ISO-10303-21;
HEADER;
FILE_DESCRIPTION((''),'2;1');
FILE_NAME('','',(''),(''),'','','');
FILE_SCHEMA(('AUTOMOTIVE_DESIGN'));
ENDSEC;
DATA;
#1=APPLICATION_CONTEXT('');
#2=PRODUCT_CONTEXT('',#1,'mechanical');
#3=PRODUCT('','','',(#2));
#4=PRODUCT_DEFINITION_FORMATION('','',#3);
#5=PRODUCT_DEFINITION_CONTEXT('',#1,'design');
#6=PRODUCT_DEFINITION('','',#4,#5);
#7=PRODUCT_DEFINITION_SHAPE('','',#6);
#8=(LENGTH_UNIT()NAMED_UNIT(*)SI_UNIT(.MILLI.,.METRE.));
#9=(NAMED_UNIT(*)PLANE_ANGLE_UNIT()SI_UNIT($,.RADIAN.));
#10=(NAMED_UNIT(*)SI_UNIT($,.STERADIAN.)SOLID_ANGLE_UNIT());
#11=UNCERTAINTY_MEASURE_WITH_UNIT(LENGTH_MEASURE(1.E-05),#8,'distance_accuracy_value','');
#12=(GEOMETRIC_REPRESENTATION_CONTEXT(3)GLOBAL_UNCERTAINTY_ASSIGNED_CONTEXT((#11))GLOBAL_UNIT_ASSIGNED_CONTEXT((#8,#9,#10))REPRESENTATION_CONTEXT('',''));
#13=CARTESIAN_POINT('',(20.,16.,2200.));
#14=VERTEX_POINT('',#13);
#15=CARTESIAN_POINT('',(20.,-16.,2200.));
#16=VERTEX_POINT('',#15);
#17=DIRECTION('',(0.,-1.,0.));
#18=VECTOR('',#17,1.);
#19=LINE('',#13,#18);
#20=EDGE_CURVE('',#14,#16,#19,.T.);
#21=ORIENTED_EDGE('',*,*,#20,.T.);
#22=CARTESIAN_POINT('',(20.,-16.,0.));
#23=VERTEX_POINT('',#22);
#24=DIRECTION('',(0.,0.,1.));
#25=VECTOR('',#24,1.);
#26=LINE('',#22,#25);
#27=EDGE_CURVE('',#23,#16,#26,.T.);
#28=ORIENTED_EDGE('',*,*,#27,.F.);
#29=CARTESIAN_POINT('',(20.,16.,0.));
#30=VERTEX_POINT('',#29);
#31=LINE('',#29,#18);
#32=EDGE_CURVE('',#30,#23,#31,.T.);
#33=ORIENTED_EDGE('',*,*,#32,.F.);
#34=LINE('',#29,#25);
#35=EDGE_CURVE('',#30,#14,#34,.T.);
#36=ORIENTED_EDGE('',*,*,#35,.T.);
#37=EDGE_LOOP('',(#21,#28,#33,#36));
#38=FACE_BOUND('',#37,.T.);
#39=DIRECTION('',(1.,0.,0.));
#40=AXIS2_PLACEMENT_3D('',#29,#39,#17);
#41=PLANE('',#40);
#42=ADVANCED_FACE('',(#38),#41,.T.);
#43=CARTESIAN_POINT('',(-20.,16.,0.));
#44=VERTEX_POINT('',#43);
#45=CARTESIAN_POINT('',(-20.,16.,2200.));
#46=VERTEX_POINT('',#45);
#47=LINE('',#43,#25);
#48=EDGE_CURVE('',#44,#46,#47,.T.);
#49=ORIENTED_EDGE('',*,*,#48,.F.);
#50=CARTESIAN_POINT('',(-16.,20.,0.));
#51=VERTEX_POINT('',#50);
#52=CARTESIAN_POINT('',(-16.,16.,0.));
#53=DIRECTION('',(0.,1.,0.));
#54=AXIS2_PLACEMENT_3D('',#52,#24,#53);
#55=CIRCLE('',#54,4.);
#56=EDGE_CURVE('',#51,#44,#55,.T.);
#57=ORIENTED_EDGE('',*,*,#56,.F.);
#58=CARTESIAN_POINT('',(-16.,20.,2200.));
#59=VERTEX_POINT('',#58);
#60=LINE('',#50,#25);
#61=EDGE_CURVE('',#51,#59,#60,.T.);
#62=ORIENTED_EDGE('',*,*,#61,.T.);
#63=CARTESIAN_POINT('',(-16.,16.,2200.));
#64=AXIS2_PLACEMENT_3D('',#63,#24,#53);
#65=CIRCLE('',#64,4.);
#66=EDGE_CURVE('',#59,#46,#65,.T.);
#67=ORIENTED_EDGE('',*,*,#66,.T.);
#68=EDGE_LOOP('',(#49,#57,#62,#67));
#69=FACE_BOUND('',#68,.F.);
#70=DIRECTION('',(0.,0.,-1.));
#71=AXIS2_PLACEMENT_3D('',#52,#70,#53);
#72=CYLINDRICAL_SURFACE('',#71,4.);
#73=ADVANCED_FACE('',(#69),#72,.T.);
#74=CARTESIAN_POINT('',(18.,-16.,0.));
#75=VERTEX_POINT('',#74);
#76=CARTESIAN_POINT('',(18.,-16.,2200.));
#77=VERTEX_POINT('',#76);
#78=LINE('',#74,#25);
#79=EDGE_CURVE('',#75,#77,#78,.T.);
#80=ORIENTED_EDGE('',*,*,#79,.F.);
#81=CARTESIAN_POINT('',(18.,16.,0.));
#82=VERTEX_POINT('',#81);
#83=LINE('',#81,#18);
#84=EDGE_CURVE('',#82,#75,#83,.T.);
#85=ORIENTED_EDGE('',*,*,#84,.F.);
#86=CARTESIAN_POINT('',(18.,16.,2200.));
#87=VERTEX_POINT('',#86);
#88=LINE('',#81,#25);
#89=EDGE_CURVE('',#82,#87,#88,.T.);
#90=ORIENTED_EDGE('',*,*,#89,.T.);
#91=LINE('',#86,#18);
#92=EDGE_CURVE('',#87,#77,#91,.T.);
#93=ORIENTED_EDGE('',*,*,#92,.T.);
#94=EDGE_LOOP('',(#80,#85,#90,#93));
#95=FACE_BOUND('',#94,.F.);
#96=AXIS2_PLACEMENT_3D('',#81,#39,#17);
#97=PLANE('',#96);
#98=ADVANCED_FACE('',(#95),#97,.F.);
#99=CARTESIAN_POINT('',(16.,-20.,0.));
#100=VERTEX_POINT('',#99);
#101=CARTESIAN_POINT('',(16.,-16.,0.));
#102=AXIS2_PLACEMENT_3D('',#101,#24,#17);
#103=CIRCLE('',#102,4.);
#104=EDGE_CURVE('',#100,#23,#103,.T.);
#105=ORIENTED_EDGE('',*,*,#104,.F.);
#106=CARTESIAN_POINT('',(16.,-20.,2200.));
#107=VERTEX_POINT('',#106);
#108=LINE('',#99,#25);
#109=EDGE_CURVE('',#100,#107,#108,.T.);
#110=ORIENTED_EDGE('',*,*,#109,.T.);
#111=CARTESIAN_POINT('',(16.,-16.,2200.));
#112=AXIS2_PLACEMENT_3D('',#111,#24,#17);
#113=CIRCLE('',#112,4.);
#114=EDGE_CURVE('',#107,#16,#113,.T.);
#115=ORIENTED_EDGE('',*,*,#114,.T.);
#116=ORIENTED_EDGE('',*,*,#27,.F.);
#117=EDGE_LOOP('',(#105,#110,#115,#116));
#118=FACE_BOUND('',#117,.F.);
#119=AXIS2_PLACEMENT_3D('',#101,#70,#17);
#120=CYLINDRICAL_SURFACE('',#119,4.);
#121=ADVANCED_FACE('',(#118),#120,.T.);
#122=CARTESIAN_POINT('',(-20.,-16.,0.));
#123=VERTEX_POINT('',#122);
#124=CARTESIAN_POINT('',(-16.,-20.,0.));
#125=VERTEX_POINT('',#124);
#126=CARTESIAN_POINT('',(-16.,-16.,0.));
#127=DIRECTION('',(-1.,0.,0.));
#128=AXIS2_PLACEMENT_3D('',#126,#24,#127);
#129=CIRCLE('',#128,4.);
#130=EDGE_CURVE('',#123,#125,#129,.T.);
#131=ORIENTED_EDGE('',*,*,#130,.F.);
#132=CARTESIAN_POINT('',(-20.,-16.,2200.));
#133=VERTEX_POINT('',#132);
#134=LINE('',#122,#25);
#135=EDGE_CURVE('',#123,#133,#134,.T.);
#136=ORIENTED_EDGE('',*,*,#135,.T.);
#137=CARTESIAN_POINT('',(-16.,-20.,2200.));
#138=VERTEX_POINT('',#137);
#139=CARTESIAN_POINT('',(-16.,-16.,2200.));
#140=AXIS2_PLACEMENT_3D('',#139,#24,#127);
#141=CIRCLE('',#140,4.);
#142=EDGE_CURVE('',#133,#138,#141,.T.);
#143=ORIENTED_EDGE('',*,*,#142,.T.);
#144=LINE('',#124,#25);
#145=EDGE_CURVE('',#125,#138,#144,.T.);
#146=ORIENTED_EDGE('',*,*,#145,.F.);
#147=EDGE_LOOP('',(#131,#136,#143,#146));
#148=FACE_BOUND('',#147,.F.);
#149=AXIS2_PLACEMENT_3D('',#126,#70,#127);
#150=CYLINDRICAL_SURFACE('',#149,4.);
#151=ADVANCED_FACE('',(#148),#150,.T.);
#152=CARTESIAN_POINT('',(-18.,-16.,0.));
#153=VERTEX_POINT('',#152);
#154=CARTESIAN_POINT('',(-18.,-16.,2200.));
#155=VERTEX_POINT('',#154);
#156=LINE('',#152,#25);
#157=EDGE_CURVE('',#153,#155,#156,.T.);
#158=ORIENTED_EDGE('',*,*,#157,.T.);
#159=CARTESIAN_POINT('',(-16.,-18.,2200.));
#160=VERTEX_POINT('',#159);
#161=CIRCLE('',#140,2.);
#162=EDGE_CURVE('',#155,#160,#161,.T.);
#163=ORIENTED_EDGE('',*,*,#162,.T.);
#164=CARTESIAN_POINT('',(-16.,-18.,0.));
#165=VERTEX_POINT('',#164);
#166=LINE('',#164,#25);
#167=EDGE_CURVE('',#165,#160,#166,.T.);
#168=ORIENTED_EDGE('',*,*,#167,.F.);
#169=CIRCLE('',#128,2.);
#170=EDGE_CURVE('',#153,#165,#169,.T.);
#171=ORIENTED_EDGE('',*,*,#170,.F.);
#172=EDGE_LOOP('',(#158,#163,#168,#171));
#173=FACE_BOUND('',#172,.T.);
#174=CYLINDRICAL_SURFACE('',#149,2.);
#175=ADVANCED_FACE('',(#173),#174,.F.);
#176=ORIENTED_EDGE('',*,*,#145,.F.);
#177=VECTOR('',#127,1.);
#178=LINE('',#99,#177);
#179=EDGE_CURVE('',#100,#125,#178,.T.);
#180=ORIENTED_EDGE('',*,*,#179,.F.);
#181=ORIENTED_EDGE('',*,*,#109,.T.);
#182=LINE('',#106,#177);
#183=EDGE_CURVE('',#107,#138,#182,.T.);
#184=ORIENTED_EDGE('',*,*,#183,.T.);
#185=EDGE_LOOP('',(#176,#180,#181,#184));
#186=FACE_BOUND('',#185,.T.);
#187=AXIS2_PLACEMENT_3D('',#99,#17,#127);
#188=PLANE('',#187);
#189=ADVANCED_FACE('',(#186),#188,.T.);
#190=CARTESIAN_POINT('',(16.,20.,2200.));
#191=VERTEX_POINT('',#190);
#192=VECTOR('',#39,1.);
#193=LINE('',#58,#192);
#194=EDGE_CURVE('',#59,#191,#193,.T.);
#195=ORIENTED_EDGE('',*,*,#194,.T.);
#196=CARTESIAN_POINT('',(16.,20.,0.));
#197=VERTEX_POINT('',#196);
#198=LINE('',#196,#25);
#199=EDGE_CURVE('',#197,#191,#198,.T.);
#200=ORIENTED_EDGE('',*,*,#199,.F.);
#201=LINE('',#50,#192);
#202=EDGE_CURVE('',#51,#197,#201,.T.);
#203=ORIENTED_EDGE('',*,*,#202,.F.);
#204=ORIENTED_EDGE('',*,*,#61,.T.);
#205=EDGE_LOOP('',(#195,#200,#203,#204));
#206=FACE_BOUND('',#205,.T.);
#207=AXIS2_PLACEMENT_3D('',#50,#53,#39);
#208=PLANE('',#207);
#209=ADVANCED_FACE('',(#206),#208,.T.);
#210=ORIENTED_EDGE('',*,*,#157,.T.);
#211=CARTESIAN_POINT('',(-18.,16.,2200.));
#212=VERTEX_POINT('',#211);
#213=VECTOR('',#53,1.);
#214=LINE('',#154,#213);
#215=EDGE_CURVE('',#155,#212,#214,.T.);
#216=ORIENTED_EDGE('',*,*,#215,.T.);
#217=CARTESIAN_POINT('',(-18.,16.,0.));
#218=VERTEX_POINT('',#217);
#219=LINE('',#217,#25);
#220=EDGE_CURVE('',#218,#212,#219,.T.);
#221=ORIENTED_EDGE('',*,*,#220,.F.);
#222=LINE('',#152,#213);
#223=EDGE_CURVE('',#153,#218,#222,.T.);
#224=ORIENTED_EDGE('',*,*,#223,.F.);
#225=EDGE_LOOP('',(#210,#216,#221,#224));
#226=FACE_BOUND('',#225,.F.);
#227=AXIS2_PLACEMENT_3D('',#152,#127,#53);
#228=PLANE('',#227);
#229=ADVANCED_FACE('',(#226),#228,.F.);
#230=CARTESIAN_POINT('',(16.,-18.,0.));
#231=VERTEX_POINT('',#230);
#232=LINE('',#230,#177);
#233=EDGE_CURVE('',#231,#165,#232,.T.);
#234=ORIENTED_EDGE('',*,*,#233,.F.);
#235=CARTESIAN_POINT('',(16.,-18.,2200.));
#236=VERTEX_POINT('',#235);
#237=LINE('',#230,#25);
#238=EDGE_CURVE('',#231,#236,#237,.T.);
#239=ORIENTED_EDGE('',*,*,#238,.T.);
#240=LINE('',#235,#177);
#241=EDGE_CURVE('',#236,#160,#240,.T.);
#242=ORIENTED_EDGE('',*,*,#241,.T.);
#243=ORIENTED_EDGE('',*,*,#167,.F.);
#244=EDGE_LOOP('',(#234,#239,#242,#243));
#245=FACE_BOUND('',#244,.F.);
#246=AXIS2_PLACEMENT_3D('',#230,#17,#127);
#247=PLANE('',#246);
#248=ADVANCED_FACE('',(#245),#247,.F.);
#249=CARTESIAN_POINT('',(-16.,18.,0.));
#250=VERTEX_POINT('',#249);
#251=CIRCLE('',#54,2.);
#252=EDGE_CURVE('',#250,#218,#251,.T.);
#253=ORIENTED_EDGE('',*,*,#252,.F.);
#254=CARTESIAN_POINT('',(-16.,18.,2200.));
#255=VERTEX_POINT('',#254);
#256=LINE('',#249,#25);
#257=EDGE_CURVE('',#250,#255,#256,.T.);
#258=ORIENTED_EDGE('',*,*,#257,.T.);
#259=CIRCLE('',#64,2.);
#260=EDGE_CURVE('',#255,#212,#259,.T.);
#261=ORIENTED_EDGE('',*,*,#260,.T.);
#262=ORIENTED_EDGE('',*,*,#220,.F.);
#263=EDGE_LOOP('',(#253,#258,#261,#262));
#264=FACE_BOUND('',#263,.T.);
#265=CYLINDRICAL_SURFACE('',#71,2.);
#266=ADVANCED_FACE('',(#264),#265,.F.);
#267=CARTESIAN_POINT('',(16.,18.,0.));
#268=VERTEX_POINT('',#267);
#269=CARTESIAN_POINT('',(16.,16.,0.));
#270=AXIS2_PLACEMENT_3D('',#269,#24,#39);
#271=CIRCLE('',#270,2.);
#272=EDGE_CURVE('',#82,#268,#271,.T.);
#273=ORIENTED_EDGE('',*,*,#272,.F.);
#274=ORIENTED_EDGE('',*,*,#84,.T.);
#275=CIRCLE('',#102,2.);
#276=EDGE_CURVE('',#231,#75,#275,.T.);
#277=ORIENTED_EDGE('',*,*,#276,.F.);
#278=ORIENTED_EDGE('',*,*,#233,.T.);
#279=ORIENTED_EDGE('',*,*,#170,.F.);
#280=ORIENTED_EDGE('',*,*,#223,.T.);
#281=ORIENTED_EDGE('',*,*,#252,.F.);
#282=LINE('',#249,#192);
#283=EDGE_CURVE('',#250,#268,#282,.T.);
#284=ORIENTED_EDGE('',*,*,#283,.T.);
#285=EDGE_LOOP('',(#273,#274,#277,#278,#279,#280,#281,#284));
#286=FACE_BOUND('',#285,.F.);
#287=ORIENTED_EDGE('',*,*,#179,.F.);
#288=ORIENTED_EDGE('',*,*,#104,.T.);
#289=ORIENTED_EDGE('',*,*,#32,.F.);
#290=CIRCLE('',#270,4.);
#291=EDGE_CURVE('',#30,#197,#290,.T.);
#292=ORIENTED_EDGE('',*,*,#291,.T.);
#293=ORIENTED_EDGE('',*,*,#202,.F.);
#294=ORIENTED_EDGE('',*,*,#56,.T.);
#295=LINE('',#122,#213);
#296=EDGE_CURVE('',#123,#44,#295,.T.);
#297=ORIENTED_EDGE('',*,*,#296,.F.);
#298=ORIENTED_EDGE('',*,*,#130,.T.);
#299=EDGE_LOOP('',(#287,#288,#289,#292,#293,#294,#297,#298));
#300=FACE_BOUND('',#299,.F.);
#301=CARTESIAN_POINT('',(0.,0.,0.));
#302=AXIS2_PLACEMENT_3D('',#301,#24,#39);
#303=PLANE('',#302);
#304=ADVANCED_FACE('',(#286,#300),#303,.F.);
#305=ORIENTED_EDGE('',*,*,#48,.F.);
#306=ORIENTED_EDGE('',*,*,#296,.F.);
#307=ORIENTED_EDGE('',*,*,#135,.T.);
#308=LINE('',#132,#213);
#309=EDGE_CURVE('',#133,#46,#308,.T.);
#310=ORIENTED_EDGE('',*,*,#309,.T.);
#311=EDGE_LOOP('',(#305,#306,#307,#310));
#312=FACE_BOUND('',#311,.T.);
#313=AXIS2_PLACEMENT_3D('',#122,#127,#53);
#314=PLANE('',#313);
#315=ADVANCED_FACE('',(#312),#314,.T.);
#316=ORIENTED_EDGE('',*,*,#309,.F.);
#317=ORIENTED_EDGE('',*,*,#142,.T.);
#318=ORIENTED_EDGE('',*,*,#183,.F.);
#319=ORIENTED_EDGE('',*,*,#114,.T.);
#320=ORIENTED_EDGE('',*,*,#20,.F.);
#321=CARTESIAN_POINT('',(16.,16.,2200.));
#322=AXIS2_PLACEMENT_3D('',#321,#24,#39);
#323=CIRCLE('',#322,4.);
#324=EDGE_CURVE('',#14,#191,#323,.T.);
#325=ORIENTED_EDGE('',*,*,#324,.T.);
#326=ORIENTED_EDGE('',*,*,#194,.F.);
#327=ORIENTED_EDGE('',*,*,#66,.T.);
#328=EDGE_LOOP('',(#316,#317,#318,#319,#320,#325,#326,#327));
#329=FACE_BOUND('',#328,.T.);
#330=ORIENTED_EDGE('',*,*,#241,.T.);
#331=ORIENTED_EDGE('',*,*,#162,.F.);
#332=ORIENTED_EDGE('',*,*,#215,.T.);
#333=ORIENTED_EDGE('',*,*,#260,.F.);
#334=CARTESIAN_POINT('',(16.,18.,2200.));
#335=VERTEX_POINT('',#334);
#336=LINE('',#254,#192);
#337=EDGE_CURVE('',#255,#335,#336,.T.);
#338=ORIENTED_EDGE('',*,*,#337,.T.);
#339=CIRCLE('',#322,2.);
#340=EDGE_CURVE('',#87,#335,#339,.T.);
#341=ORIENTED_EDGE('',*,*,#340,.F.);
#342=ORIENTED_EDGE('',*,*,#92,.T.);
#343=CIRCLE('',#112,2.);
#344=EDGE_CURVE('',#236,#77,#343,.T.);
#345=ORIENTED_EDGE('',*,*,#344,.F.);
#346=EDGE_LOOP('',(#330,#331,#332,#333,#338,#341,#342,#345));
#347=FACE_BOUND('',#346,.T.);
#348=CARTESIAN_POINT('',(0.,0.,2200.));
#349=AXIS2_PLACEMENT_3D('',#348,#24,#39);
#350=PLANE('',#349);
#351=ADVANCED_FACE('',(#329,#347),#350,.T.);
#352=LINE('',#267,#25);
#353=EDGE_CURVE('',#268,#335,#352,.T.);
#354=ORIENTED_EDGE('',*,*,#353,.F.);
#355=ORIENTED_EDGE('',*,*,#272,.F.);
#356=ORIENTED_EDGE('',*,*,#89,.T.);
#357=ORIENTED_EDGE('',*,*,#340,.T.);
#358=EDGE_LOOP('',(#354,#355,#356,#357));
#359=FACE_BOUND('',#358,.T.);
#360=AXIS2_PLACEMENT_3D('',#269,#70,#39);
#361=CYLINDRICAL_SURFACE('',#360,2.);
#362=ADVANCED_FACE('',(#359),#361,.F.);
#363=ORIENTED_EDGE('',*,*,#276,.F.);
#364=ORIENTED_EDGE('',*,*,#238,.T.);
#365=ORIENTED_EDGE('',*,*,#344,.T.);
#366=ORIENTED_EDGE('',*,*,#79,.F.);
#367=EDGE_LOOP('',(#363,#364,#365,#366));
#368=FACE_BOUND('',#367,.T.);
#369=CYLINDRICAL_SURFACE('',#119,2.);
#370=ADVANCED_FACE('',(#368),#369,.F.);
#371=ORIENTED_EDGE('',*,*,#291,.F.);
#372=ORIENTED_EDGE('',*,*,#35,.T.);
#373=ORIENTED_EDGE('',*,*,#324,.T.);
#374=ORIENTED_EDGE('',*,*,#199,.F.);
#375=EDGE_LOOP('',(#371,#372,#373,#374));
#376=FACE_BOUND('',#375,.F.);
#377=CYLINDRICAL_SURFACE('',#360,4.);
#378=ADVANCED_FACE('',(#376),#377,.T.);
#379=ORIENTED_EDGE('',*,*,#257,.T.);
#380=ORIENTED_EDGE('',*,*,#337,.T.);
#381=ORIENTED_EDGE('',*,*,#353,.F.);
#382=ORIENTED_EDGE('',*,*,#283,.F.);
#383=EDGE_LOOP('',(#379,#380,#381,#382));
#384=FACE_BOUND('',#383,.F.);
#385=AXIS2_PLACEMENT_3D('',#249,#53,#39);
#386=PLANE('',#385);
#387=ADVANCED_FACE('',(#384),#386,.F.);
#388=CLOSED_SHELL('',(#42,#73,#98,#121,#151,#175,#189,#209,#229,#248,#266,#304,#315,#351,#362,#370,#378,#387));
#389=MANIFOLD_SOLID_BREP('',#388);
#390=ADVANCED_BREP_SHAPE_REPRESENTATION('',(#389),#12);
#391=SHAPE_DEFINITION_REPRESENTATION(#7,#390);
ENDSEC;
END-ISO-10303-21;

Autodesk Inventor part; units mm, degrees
ref_plane "YZ Plane" through (0, 0, 0) normal (1, 0, 0) x (0, 1, 0)
ref_plane "Start Plane" through (0, 0, 0) normal (0, 0, 1) x (1, 0, 0)
ref_plane "End Plane" through (0, 0, 2200) normal (0, 0, 1) x (1, 0, 0)
sketch "Sketch" plane through (0, 0, 0) normal (0, 0, 1) x (1, 0, 0)
  line L0 (-20, -16) -> (-20, 16)
  line L1 (-16, 20) -> (16, 20)
  line L2 (20, 16) -> (20, -16)
  line L3 (16, -20) -> (-16, -20)
  arc A0 (-20, -16) -> (-16, -20) centre (-16, -16) ccw
  arc A1 (20, 16) -> (16, 20) centre (16, 16) ccw
  arc A2 (-16, 20) -> (-20, 16) centre (-16, 16) ccw
  arc A3 (16, -20) -> (20, -16) centre (16, -16) ccw
  arc A4 (-16, 18) -> (-18, 16) centre (-16, 16) ccw
  line L4 (-16, 18) -> (16, 18)
  arc A5 (18, 16) -> (16, 18) centre (16, 16) ccw
  line L5 (18, 16) -> (18, -16)
  arc A6 (16, -18) -> (18, -16) centre (16, -16) ccw
  line L6 (16, -18) -> (-16, -18)
  arc A7 (-18, -16) -> (-16, -18) centre (-16, -16) ccw
  line L7 (-18, -16) -> (-18, 16)
  line L8 (0, 29.1598) -> (0, -29.1598) construction
  line L9 (-29.1598, 0) -> (29.1598, 0) construction
  dimension "d7" = 4
  dimension "d9" = 40
  dimension "d11" = 40
  dimension "d12" = 2
  dimension "d15" = 20
  dimension "d16" = 20
extrude "Body" add sketch "Sketch" along normal up to surface (2200 mm away) from surface at 0
sketch "Sketch3" plane through (0, 0, 0) normal (0, 0, 1) x (1, 0, 0)
  line L0 (0, 0) -> (10, 0)
ref_plane "Work Plane3" through (0, 0, 0) normal (0, -1, 0) x (1, 0, 0)
sketch "Sketch4" plane through (0, 0, 0) normal (0, -1, 0) x (1, 0, 0)
  line L0 (-2, 0) -> (12, 0) projected
  line L1 (-2, 2200) -> (12, 2200) projected
  dimension "d18" = 2200
equation "\"d7\" = G_IR"
equation "\"d9\" = G_W"
equation "\"d11\" = G_H"
equation "\"d12\" = G_T"
equation "\"d15\" = 0.5 * d9"
equation "\"d16\" = 0.5 * d11"
equation "\"d3\" = G_L"
equation "\"G_W\" = 40"
equation "\"G_H\" = 40"
equation "\"G_T\" = 2"
equation "\"G_IR\" = 4"
equation "\"G_L\" = d18"
equation "\"G_OFFSET_START\" = 0"
equation "\"G_OFFSET_END\" = 0"
properties part number "ISO 4019 - 40x40x2 - 2200" material "Steel, Mild"
